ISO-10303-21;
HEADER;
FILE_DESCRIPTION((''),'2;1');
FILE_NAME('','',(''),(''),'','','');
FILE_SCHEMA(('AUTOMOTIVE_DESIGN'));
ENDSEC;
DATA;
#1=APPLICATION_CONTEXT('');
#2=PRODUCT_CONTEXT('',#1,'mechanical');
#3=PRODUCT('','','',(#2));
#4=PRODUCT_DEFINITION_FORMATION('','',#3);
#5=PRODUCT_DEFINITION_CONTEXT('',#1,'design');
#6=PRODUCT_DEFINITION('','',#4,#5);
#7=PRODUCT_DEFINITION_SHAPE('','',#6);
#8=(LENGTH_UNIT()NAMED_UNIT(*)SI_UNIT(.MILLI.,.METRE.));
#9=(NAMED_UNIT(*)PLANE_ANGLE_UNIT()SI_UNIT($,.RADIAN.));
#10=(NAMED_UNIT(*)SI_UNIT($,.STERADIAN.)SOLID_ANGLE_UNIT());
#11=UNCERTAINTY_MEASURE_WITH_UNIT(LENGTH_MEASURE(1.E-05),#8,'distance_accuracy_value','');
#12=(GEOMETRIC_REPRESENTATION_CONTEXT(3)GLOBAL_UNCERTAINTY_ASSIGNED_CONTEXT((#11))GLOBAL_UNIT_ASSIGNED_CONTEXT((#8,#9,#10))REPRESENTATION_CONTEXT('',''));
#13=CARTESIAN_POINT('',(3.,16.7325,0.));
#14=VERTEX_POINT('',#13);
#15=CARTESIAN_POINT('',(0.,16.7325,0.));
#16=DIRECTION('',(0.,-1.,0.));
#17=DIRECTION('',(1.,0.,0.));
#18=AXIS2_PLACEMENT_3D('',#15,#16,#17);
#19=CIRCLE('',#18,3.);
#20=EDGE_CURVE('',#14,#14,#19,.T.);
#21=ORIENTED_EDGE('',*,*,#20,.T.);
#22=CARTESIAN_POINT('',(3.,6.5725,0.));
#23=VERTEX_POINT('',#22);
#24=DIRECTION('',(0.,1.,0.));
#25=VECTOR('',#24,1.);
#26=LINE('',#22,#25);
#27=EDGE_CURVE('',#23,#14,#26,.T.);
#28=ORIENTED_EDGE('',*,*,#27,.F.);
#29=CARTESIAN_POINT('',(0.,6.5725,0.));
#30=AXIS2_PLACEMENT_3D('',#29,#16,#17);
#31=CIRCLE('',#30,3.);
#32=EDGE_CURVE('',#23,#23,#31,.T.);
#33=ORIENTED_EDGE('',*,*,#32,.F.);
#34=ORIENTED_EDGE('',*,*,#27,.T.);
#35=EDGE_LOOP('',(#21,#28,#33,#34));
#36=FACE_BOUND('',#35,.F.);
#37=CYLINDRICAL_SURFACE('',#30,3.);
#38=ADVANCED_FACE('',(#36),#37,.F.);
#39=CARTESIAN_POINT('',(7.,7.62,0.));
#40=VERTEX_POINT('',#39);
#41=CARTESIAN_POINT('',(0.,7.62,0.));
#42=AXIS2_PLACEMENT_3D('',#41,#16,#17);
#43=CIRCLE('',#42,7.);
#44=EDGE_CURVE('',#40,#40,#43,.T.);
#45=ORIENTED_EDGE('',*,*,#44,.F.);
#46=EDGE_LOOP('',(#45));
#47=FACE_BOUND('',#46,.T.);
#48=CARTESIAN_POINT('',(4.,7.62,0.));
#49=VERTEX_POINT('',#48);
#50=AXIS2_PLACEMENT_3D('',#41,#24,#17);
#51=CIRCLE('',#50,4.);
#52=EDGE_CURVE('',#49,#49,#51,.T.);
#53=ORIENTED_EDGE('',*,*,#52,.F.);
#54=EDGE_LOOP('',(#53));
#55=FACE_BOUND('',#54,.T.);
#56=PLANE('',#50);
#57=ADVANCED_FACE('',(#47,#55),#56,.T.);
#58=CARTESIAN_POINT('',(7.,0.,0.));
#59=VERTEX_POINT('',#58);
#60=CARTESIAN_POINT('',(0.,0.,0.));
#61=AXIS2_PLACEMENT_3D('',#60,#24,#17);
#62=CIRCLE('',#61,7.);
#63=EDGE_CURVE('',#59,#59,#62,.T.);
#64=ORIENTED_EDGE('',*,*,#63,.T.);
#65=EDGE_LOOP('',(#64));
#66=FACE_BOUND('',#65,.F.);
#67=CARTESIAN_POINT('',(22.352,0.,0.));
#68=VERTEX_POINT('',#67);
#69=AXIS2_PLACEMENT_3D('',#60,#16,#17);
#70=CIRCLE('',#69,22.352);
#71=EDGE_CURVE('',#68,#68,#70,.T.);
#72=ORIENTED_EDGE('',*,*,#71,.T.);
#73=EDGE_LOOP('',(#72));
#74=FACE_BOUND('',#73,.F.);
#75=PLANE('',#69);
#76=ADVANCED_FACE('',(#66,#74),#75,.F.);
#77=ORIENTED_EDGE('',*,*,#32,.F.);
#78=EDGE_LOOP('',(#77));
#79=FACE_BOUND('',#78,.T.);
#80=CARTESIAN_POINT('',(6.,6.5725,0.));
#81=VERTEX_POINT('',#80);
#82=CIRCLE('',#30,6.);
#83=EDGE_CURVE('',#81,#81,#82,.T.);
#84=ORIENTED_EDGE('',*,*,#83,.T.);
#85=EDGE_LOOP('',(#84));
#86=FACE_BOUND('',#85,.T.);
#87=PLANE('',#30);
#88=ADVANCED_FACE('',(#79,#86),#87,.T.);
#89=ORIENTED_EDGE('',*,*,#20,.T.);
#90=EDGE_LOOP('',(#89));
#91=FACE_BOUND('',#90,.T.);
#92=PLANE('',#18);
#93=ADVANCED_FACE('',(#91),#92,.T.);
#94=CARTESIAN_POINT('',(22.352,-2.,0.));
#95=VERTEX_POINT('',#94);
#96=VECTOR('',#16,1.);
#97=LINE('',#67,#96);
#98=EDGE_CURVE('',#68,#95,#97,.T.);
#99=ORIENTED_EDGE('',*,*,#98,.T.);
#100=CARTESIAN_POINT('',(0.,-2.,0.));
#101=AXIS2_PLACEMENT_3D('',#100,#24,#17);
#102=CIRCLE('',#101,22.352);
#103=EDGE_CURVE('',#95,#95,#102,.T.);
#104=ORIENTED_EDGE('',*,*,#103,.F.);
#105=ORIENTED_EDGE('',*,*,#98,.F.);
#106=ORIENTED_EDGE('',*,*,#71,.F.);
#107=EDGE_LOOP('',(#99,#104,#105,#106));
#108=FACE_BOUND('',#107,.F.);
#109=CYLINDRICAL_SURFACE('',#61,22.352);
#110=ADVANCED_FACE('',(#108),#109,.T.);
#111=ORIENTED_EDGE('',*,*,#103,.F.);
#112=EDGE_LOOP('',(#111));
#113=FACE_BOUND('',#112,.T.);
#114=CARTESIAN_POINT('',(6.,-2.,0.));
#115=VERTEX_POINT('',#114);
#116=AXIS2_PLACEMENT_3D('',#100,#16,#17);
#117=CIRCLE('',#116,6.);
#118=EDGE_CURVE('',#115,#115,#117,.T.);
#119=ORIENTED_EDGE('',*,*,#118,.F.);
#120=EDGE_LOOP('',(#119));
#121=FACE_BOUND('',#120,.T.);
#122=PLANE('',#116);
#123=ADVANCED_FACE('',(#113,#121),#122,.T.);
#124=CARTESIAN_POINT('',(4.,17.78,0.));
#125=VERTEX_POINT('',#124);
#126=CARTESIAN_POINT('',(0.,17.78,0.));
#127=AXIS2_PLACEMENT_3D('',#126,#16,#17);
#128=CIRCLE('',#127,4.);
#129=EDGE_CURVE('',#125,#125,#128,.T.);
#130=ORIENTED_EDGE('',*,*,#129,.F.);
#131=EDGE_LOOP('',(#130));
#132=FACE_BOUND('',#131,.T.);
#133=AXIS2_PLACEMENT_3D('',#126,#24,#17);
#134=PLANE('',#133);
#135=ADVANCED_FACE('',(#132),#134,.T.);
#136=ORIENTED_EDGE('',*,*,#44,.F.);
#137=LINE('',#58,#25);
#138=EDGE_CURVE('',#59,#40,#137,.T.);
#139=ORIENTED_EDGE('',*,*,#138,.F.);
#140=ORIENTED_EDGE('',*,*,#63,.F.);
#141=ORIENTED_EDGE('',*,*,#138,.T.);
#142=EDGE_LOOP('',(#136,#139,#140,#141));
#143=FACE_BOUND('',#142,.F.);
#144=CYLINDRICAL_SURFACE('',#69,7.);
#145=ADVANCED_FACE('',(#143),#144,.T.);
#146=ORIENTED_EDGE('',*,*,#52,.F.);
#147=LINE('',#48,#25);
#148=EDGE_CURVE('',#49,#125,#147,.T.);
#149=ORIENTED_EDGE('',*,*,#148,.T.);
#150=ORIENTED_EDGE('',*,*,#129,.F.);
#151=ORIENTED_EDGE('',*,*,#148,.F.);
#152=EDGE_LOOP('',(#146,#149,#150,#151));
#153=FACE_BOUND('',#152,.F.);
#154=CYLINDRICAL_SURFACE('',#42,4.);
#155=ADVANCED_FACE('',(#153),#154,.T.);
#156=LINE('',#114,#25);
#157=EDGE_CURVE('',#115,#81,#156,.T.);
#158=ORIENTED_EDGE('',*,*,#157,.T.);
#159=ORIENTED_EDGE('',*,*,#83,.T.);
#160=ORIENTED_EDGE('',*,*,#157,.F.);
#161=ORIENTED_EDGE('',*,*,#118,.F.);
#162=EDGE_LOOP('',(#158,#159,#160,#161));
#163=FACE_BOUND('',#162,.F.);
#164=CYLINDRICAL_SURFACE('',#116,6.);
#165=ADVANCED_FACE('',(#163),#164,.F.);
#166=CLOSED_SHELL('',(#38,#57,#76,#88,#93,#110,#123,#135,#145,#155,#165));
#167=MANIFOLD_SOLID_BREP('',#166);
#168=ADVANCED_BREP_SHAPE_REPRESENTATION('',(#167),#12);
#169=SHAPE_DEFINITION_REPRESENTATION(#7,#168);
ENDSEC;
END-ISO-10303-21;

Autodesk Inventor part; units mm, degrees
ref_plane "YZ Plane" through (0, 0, 0) normal (1, 0, 0) x (0, 1, 0)
ref_plane "XZ Plane" through (0, 0, 0) normal (0, 1, 0) x (-1, 0, 0)
ref_plane "XY Plane" through (0, 0, 0) normal (0, 0, 1) x (1, 0, 0)
ref_plane "Work Plane3" through (0, 0, 0) normal (0, -1, 0) x (1, 0, 0)
sketch "Sketch2" plane through (0, 0, 0) normal (0, -1, 0) x (1, 0, 0)
  circle A0 centre (0, 0) radius 22.352
  arc A1 (22.352, 0) -> (-22.352, 0) centre (0, 0) ccw projected
  line L0 (22.352, 0) -> (-22.352, 0)
extrude "Extrusion2" add sketch "Sketch2" along normal blind 2
ref_plane "Work Plane5" through (0, 0, 0) normal (0, 1, 0) x (1, 0, 0)
sketch "Sketch3" plane through (0, 0, 0) normal (0, 1, 0) x (1, 0, 0)
  circle A0 centre (0, 0) radius 7
  line L0 (-20.955, 0) -> (20.955, 0) projected
  line L1 (-7, 0) -> (7, 0)
  dimension "d6" = 14
extrude "Extrusion3" add sketch "Sketch3" along normal blind 7.62
ref_plane "Work Plane4" through (0, -2, 0) normal (0, -1, 0) x (1, 0, 0)
sketch "Sketch4" plane through (0, -2, 0) normal (0, -1, 0) x (1, 0, 0)
  circle A0 centre (0, 0) radius 6
  dimension "d9" = 12
extrude "Extrusion4" cut sketch "Sketch4" against normal blind 8.5725
ref_plane "Work Plane6" through (0, 7.62, 0) normal (0, 1, 0) x (1, 0, 0)
sketch "Sketch5" plane through (0, 7.62, 0) normal (0, 1, 0) x (1, 0, 0)
  circle A0 centre (0, 0) radius 4
  line L0 (7, 0) -> (-7, 0) projected
  line L1 (4, 0) -> (-4, 0)
  dimension "d12" = 8
extrude "Extrusion5" add sketch "Sketch5" along normal blind 10.16
ref_plane "Work Plane7" through (0, 6.5725, 0) normal (0, -1, 0) x (1, 0, 0)
sketch "Sketch6" plane through (0, 6.5725, 0) normal (0, -1, 0) x (1, 0, 0)
  circle A0 centre (0, 0) radius 3
  dimension "d15" = 6
extrude "Extrusion6" cut sketch "Sketch6" against normal blind 10.16
ref_plane "Work Plane1" through (0, 25.4, 0) normal (0, 1, 0) x (1, 0, 0)
sketch "Sketch7" plane through (0, 25.4, 0) normal (0, 1, 0) x (1, 0, 0)
  point P0 (0, 0)
ref_plane "Work Plane2" through (0, 25.4, 0) normal (0, 1, 0) x (1, 0, 0)
sketch "Sketch12" plane through (0, 25.4, 0) normal (0, 1, 0) x (1, 0, 0)
  circle A0 centre (0, 0) radius 16.1182
  circle A1 centre (0, 0) radius 32.5204
extrude "Extrusion10" cut sketch "Sketch12" against normal up to surface (25.4 mm away)
properties part number "mold"
